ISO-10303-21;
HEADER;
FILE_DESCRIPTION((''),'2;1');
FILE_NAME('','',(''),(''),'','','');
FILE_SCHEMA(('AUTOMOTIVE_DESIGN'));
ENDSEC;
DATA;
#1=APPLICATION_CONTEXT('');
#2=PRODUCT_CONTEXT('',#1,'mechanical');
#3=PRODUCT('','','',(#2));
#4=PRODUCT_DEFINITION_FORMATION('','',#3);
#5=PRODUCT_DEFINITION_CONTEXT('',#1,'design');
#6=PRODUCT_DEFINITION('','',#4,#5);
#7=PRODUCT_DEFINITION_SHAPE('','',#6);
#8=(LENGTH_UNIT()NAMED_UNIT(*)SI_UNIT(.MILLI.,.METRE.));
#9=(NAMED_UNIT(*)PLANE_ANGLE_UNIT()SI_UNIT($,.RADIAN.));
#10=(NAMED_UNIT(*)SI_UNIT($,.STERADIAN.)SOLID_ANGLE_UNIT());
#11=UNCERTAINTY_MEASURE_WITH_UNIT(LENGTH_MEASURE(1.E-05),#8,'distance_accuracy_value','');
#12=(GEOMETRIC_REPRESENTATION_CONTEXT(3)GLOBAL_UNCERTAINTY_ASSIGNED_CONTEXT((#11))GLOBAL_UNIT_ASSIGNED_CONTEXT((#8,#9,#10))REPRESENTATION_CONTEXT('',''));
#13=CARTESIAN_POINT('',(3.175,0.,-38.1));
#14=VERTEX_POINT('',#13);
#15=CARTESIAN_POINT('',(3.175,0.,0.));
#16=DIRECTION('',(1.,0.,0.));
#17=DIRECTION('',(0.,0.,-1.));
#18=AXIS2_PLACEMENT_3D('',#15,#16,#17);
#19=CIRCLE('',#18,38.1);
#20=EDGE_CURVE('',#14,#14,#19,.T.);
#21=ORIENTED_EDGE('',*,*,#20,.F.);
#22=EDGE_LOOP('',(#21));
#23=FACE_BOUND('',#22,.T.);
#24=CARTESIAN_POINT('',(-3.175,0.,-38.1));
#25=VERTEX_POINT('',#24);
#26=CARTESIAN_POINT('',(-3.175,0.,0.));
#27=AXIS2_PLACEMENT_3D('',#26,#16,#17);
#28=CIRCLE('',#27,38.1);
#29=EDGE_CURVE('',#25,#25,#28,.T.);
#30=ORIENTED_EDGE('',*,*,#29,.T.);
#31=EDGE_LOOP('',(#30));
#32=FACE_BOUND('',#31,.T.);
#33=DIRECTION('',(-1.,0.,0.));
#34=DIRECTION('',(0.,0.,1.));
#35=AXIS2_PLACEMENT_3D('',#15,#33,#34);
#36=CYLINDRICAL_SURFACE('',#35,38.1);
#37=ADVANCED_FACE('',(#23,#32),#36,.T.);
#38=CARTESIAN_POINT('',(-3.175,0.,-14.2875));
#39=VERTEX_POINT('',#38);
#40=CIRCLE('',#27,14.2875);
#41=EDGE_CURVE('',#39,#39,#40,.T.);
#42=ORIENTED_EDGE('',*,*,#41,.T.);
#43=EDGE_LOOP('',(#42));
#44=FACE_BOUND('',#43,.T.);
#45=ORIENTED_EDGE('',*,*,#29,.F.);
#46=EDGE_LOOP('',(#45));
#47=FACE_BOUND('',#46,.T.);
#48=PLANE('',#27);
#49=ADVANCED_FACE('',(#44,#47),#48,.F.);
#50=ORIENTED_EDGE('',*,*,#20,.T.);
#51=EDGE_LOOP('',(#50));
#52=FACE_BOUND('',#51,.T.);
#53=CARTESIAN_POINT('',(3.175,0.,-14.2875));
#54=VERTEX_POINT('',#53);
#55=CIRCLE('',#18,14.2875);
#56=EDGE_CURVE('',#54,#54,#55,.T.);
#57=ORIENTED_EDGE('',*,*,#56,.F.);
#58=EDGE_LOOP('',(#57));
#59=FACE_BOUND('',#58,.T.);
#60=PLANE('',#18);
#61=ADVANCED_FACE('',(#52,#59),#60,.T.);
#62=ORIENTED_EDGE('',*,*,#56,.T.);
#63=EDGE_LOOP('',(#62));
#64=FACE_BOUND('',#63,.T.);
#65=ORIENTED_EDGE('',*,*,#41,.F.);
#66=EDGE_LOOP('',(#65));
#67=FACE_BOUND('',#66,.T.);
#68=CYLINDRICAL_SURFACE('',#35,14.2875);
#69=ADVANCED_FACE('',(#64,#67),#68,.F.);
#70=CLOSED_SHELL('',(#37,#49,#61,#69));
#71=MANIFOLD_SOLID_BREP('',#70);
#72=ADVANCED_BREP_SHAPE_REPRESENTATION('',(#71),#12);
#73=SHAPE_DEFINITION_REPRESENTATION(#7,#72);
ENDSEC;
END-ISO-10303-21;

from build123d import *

# Parameters (mm, degrees)
SKETCH1_R           = 38.1
SKETCH1_R_2         = 14.2875
BOSS_EXTRUDE1_DEPTH = 3.175


with BuildPart() as part:
    # Sketch1 → Boss-Extrude1 (new body, symmetric)
    with BuildSketch(Plane(origin=(0, 0, 0), x_dir=(0, 0, -1), z_dir=(1, 0, 0))):
        Circle(SKETCH1_R)
        Circle(SKETCH1_R_2, mode=Mode.SUBTRACT)
    extrude(amount=BOSS_EXTRUDE1_DEPTH, both=True)


solid = part.part
